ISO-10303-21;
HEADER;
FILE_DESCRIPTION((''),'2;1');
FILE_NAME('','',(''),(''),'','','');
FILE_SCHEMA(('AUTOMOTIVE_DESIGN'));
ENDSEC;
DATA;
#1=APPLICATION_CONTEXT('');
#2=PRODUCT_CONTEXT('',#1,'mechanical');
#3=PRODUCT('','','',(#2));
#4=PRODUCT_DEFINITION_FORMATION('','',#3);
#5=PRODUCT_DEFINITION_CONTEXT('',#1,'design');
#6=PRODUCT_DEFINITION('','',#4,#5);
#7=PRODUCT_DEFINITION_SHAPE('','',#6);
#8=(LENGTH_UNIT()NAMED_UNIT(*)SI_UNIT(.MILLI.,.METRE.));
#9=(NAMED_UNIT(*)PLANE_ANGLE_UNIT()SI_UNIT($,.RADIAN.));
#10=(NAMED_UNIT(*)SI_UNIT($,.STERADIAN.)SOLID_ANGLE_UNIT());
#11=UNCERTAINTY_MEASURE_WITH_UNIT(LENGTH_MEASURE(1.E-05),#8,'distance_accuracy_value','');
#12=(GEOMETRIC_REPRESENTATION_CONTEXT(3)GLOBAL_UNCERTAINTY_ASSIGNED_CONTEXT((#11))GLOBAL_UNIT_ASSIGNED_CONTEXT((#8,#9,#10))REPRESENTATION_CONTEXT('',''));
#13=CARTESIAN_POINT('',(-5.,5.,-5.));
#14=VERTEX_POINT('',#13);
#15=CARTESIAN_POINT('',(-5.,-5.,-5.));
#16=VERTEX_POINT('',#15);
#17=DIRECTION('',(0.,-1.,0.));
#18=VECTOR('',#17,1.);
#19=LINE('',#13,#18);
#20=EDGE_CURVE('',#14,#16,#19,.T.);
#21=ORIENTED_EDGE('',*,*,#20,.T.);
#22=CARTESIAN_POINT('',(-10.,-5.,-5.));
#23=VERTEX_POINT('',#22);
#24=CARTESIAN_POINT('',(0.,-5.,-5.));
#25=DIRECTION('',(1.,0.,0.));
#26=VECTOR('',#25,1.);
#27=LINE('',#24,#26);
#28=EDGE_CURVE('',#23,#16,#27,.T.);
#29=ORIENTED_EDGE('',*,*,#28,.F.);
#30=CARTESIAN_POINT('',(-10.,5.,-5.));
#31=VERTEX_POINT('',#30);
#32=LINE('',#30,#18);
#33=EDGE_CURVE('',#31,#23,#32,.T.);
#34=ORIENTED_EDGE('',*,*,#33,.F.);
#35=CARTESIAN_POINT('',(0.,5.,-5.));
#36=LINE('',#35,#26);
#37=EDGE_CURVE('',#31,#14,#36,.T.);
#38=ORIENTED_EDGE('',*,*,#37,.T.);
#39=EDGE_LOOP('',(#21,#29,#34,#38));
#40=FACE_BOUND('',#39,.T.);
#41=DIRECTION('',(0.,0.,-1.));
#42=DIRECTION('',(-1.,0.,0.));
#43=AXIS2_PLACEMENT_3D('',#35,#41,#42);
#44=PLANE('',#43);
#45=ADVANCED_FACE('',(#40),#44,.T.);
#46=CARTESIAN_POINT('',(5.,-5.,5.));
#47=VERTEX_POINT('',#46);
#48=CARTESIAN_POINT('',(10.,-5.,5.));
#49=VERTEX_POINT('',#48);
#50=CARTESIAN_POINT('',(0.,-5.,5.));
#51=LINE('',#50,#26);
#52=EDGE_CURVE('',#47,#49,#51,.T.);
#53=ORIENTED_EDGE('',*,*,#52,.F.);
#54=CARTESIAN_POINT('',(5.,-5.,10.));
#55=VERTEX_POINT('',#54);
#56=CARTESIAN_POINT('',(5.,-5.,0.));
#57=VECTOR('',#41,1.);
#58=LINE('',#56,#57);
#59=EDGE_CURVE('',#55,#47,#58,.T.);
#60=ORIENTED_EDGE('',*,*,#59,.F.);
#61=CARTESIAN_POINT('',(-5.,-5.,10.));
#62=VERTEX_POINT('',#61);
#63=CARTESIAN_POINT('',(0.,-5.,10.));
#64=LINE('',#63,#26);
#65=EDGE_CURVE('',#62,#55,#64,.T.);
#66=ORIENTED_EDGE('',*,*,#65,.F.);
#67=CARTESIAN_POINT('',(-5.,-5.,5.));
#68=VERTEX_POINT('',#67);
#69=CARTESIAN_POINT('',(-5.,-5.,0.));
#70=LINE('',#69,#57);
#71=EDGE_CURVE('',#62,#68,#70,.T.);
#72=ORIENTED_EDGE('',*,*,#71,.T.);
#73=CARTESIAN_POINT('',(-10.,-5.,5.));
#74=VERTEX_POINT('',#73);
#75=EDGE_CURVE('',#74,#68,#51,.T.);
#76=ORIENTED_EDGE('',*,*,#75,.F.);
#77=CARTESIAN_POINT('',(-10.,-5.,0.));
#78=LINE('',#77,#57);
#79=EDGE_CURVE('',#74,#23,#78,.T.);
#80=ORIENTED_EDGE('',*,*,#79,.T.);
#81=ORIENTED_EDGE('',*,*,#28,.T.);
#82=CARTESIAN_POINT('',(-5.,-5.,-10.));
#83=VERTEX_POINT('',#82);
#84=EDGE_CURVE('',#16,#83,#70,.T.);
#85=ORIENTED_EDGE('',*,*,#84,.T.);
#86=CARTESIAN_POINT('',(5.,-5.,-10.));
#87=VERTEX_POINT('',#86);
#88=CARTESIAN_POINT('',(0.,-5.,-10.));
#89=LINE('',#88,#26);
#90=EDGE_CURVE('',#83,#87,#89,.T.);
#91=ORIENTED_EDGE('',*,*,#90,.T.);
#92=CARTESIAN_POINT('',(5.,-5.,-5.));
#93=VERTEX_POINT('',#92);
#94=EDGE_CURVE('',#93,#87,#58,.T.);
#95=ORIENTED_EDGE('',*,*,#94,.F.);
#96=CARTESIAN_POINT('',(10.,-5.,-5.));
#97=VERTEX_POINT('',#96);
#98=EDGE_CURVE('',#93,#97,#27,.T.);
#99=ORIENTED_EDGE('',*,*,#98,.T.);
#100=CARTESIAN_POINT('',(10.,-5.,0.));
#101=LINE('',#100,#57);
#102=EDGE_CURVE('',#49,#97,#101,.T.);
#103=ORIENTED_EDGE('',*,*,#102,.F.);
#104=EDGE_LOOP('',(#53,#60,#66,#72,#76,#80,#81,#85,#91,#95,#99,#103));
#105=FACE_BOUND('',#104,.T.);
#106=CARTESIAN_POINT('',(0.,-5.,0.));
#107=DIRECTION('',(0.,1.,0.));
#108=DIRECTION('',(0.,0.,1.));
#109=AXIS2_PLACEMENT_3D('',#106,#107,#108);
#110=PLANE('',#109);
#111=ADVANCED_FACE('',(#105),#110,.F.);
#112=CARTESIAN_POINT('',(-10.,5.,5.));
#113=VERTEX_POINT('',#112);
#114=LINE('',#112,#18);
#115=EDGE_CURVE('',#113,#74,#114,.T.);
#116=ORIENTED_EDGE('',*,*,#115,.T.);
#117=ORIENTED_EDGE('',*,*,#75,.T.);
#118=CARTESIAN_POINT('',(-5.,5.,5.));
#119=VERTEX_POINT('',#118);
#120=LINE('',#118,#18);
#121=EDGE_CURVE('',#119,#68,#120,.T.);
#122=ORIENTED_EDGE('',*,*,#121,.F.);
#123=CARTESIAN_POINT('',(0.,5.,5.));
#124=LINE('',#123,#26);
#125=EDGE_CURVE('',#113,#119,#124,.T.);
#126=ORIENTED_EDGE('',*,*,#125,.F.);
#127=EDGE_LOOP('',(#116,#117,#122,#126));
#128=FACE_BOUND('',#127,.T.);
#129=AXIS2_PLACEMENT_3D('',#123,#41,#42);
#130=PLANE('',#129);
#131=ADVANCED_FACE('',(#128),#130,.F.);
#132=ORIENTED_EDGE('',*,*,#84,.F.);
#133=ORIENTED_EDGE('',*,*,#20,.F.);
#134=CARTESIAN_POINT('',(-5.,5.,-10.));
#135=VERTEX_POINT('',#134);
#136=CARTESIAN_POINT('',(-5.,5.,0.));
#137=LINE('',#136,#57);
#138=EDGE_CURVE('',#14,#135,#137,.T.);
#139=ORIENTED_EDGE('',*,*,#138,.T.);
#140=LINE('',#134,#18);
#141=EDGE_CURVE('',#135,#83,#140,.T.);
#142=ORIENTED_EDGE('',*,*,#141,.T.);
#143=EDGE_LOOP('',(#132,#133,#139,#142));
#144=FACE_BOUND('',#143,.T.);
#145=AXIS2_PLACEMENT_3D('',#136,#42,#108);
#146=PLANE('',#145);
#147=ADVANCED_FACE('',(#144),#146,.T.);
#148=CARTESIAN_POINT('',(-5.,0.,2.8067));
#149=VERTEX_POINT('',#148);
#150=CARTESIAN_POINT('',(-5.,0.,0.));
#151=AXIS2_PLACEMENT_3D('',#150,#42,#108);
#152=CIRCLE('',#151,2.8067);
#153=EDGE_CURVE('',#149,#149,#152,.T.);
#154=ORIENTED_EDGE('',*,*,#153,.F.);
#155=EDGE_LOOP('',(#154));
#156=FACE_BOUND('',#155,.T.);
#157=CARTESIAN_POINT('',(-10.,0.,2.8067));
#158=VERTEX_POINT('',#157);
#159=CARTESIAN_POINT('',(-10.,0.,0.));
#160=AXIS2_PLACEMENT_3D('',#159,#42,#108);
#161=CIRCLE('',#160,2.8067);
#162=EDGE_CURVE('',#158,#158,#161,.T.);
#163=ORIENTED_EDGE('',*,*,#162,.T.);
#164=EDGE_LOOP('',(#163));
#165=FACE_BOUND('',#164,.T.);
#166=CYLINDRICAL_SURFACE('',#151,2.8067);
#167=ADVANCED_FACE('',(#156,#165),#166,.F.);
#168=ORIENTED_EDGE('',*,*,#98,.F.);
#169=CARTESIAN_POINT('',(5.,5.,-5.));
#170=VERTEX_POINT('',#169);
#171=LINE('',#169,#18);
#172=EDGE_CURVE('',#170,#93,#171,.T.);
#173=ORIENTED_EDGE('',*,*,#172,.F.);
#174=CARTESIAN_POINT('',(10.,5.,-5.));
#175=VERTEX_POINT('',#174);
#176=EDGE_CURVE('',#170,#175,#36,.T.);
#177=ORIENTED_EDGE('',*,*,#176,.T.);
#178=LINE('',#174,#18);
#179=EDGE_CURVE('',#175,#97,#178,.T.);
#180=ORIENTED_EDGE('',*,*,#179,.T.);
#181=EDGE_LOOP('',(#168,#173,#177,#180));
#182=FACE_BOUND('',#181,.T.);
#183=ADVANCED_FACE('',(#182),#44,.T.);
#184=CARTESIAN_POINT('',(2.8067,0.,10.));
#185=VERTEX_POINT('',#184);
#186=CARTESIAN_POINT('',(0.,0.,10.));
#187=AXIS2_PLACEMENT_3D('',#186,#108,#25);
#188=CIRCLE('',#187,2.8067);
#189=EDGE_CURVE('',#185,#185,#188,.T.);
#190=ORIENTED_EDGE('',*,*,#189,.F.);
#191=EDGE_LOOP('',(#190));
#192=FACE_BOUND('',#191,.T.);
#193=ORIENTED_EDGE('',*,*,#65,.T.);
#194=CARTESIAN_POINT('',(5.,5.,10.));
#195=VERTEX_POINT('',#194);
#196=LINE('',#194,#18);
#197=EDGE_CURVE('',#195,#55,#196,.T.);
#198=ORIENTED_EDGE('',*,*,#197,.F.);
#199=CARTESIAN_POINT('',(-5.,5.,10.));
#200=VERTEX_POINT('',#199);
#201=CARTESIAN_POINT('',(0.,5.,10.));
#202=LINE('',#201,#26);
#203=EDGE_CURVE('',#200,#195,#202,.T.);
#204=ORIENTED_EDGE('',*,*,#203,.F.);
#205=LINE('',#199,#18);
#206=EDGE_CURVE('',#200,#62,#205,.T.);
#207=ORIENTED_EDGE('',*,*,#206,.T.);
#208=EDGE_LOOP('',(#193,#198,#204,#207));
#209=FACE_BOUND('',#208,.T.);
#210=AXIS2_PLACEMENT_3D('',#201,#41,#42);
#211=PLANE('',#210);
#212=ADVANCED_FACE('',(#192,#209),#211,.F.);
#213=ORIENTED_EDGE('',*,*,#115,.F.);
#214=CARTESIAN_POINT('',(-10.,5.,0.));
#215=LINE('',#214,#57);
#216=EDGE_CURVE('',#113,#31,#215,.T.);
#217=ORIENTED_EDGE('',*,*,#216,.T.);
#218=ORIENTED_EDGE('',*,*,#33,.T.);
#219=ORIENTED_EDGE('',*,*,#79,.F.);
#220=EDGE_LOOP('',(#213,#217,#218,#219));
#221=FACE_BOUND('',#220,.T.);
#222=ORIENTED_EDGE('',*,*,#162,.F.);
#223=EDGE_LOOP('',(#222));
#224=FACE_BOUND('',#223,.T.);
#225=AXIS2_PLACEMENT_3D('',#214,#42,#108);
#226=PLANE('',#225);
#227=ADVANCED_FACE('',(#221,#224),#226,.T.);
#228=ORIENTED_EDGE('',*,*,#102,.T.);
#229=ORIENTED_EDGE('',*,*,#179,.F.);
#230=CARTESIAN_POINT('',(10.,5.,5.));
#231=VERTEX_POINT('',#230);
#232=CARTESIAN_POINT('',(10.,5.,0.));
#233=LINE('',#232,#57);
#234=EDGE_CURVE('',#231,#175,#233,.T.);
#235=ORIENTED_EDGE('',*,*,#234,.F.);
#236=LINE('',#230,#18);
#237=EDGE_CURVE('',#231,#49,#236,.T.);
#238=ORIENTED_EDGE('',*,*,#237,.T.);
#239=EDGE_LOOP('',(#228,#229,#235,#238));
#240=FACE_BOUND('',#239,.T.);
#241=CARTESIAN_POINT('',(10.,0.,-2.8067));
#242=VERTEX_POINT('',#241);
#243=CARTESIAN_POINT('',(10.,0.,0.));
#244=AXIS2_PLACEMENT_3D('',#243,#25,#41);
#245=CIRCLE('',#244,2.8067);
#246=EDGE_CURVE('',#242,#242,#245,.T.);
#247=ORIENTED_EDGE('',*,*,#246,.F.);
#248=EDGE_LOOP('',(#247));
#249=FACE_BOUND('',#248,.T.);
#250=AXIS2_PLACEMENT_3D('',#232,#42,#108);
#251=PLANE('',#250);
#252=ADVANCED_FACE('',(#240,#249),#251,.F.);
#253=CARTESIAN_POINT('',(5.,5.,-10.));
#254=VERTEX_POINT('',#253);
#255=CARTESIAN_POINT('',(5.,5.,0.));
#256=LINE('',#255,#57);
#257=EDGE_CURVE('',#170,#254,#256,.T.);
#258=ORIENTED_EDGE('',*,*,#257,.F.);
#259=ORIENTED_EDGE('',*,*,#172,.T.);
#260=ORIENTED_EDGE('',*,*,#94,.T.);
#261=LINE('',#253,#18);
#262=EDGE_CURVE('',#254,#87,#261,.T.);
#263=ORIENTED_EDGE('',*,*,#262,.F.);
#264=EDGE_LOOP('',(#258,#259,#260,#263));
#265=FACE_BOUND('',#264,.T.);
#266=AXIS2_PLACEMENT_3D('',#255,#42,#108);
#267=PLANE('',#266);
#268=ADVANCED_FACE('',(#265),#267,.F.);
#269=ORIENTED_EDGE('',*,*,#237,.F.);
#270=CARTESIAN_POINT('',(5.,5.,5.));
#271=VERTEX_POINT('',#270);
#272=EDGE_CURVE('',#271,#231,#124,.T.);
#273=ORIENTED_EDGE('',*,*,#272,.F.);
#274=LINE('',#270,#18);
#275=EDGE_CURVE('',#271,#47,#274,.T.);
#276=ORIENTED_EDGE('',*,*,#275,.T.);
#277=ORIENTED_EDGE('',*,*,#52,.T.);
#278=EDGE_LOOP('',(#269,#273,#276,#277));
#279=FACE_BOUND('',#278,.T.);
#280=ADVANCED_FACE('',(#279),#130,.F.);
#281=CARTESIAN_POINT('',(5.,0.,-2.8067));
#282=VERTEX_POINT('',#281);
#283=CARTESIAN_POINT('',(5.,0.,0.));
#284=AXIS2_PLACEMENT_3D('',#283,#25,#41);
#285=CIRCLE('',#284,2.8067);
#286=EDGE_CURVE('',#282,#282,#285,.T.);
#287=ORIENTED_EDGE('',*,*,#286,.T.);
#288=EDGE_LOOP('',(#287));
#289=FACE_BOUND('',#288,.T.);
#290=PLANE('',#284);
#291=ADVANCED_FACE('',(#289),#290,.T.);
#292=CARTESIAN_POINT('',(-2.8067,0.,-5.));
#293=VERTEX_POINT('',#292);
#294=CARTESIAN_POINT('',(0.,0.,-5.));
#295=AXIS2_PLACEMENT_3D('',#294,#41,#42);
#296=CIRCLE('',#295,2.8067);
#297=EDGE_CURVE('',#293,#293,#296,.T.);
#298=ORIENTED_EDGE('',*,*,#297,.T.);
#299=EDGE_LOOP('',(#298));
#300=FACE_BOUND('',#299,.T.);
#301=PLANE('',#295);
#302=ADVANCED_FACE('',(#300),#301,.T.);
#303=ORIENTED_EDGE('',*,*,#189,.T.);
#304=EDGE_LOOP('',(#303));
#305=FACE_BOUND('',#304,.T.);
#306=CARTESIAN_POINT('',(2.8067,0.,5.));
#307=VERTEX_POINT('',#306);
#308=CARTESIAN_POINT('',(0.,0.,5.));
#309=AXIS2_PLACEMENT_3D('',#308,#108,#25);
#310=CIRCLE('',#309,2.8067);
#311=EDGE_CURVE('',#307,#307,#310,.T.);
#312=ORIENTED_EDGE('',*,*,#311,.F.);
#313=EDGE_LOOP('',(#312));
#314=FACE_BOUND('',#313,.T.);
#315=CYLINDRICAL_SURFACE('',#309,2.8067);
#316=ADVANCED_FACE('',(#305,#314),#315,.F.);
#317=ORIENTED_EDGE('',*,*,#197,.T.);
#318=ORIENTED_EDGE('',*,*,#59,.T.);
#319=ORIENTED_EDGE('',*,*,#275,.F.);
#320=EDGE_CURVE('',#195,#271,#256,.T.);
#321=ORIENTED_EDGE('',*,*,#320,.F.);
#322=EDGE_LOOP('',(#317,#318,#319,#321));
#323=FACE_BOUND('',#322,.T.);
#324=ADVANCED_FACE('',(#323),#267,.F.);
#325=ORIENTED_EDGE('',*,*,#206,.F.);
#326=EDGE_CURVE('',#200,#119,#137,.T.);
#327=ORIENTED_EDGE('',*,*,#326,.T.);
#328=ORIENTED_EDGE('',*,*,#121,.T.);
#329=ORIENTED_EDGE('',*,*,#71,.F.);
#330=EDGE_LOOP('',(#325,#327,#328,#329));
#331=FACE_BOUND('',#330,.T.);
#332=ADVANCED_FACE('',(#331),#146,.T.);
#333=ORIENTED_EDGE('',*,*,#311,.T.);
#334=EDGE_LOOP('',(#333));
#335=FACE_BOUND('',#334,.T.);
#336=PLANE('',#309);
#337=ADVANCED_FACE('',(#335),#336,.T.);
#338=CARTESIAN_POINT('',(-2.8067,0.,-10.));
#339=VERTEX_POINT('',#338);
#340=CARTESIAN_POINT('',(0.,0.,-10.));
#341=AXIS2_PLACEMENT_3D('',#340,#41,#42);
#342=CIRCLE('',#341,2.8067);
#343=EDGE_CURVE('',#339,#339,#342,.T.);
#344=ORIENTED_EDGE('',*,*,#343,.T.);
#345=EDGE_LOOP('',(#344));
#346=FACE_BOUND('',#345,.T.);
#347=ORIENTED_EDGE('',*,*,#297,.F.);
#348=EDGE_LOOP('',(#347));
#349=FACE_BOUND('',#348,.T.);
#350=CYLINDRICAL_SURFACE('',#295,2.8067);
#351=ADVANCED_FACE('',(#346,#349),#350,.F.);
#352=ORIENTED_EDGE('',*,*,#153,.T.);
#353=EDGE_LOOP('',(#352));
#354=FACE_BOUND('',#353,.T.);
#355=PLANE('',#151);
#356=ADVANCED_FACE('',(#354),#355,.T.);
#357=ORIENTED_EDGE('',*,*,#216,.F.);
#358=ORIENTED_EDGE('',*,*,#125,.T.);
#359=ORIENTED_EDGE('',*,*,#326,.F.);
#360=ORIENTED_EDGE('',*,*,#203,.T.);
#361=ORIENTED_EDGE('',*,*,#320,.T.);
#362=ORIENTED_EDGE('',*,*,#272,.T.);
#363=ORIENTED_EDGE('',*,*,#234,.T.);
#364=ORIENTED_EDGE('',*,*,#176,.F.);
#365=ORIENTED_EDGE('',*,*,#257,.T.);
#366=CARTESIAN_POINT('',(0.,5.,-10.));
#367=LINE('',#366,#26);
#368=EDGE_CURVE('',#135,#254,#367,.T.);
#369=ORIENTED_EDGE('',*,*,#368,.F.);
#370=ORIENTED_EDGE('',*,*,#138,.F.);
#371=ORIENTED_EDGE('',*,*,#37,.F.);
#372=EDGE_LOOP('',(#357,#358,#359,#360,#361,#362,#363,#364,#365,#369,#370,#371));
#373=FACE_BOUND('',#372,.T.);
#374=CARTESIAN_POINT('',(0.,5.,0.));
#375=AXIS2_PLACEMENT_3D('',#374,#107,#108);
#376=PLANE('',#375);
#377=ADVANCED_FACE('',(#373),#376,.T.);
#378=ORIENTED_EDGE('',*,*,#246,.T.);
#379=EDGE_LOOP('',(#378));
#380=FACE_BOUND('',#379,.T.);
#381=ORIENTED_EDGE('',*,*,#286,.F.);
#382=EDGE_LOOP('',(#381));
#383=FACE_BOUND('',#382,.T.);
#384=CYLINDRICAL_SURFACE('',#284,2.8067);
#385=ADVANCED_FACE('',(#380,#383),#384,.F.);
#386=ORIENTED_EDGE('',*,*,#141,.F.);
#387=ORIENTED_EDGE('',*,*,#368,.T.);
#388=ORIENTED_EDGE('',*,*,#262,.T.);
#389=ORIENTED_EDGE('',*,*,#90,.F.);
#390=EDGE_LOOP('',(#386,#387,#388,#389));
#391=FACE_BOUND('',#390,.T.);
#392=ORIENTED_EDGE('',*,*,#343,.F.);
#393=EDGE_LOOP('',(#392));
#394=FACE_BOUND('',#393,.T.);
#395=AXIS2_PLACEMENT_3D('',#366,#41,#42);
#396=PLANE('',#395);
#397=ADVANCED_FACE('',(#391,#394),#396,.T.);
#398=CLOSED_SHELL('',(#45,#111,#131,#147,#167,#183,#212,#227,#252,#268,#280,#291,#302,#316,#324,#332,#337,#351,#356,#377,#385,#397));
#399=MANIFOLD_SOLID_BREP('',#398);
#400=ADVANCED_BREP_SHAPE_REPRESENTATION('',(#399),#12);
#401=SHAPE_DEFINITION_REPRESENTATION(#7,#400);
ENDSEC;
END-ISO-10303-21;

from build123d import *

# Parameters (mm, degrees)
BOSS_EXTRUDE1_DEPTH = 5
SKETCH2_R           = 2.8067
CUT_EXTRUDE1_DEPTH  = 5
CIRPATTERN1_COUNT   = 4


with BuildPart() as part:
    # Sketch1 → Boss-Extrude1 (new, symmetric)
    with BuildSketch(Plane(origin=(0, 0, 0), x_dir=(1, 0, 0), z_dir=(0, 1, 0))):
        Polygon((-10, 5), (-10, -5), (-5, -5), (-5, -10), (5, -10), (5, -5), (10, -5), (10, 5), (5, 5), (5, 10), (-5, 10), (-5, 5), align=None)
    extrude(amount=BOSS_EXTRUDE1_DEPTH, both=True)

    # Sketch2 → Cut-Extrude1 (cut)
    with BuildSketch(Plane.XY.offset(10)):
        Circle(SKETCH2_R)
    cut_extrude1 = extrude(amount=-CUT_EXTRUDE1_DEPTH, mode=Mode.SUBTRACT)

    # CirPattern1: Cut-Extrude1 ×4 about axis
    cirpattern1_axis = Axis((0, 0, 0), (0, 1, 0))
    for i in range(1, CIRPATTERN1_COUNT):
        add(cut_extrude1.rotate(cirpattern1_axis, i * 360 / CIRPATTERN1_COUNT), mode=Mode.SUBTRACT)


solid = part.part
